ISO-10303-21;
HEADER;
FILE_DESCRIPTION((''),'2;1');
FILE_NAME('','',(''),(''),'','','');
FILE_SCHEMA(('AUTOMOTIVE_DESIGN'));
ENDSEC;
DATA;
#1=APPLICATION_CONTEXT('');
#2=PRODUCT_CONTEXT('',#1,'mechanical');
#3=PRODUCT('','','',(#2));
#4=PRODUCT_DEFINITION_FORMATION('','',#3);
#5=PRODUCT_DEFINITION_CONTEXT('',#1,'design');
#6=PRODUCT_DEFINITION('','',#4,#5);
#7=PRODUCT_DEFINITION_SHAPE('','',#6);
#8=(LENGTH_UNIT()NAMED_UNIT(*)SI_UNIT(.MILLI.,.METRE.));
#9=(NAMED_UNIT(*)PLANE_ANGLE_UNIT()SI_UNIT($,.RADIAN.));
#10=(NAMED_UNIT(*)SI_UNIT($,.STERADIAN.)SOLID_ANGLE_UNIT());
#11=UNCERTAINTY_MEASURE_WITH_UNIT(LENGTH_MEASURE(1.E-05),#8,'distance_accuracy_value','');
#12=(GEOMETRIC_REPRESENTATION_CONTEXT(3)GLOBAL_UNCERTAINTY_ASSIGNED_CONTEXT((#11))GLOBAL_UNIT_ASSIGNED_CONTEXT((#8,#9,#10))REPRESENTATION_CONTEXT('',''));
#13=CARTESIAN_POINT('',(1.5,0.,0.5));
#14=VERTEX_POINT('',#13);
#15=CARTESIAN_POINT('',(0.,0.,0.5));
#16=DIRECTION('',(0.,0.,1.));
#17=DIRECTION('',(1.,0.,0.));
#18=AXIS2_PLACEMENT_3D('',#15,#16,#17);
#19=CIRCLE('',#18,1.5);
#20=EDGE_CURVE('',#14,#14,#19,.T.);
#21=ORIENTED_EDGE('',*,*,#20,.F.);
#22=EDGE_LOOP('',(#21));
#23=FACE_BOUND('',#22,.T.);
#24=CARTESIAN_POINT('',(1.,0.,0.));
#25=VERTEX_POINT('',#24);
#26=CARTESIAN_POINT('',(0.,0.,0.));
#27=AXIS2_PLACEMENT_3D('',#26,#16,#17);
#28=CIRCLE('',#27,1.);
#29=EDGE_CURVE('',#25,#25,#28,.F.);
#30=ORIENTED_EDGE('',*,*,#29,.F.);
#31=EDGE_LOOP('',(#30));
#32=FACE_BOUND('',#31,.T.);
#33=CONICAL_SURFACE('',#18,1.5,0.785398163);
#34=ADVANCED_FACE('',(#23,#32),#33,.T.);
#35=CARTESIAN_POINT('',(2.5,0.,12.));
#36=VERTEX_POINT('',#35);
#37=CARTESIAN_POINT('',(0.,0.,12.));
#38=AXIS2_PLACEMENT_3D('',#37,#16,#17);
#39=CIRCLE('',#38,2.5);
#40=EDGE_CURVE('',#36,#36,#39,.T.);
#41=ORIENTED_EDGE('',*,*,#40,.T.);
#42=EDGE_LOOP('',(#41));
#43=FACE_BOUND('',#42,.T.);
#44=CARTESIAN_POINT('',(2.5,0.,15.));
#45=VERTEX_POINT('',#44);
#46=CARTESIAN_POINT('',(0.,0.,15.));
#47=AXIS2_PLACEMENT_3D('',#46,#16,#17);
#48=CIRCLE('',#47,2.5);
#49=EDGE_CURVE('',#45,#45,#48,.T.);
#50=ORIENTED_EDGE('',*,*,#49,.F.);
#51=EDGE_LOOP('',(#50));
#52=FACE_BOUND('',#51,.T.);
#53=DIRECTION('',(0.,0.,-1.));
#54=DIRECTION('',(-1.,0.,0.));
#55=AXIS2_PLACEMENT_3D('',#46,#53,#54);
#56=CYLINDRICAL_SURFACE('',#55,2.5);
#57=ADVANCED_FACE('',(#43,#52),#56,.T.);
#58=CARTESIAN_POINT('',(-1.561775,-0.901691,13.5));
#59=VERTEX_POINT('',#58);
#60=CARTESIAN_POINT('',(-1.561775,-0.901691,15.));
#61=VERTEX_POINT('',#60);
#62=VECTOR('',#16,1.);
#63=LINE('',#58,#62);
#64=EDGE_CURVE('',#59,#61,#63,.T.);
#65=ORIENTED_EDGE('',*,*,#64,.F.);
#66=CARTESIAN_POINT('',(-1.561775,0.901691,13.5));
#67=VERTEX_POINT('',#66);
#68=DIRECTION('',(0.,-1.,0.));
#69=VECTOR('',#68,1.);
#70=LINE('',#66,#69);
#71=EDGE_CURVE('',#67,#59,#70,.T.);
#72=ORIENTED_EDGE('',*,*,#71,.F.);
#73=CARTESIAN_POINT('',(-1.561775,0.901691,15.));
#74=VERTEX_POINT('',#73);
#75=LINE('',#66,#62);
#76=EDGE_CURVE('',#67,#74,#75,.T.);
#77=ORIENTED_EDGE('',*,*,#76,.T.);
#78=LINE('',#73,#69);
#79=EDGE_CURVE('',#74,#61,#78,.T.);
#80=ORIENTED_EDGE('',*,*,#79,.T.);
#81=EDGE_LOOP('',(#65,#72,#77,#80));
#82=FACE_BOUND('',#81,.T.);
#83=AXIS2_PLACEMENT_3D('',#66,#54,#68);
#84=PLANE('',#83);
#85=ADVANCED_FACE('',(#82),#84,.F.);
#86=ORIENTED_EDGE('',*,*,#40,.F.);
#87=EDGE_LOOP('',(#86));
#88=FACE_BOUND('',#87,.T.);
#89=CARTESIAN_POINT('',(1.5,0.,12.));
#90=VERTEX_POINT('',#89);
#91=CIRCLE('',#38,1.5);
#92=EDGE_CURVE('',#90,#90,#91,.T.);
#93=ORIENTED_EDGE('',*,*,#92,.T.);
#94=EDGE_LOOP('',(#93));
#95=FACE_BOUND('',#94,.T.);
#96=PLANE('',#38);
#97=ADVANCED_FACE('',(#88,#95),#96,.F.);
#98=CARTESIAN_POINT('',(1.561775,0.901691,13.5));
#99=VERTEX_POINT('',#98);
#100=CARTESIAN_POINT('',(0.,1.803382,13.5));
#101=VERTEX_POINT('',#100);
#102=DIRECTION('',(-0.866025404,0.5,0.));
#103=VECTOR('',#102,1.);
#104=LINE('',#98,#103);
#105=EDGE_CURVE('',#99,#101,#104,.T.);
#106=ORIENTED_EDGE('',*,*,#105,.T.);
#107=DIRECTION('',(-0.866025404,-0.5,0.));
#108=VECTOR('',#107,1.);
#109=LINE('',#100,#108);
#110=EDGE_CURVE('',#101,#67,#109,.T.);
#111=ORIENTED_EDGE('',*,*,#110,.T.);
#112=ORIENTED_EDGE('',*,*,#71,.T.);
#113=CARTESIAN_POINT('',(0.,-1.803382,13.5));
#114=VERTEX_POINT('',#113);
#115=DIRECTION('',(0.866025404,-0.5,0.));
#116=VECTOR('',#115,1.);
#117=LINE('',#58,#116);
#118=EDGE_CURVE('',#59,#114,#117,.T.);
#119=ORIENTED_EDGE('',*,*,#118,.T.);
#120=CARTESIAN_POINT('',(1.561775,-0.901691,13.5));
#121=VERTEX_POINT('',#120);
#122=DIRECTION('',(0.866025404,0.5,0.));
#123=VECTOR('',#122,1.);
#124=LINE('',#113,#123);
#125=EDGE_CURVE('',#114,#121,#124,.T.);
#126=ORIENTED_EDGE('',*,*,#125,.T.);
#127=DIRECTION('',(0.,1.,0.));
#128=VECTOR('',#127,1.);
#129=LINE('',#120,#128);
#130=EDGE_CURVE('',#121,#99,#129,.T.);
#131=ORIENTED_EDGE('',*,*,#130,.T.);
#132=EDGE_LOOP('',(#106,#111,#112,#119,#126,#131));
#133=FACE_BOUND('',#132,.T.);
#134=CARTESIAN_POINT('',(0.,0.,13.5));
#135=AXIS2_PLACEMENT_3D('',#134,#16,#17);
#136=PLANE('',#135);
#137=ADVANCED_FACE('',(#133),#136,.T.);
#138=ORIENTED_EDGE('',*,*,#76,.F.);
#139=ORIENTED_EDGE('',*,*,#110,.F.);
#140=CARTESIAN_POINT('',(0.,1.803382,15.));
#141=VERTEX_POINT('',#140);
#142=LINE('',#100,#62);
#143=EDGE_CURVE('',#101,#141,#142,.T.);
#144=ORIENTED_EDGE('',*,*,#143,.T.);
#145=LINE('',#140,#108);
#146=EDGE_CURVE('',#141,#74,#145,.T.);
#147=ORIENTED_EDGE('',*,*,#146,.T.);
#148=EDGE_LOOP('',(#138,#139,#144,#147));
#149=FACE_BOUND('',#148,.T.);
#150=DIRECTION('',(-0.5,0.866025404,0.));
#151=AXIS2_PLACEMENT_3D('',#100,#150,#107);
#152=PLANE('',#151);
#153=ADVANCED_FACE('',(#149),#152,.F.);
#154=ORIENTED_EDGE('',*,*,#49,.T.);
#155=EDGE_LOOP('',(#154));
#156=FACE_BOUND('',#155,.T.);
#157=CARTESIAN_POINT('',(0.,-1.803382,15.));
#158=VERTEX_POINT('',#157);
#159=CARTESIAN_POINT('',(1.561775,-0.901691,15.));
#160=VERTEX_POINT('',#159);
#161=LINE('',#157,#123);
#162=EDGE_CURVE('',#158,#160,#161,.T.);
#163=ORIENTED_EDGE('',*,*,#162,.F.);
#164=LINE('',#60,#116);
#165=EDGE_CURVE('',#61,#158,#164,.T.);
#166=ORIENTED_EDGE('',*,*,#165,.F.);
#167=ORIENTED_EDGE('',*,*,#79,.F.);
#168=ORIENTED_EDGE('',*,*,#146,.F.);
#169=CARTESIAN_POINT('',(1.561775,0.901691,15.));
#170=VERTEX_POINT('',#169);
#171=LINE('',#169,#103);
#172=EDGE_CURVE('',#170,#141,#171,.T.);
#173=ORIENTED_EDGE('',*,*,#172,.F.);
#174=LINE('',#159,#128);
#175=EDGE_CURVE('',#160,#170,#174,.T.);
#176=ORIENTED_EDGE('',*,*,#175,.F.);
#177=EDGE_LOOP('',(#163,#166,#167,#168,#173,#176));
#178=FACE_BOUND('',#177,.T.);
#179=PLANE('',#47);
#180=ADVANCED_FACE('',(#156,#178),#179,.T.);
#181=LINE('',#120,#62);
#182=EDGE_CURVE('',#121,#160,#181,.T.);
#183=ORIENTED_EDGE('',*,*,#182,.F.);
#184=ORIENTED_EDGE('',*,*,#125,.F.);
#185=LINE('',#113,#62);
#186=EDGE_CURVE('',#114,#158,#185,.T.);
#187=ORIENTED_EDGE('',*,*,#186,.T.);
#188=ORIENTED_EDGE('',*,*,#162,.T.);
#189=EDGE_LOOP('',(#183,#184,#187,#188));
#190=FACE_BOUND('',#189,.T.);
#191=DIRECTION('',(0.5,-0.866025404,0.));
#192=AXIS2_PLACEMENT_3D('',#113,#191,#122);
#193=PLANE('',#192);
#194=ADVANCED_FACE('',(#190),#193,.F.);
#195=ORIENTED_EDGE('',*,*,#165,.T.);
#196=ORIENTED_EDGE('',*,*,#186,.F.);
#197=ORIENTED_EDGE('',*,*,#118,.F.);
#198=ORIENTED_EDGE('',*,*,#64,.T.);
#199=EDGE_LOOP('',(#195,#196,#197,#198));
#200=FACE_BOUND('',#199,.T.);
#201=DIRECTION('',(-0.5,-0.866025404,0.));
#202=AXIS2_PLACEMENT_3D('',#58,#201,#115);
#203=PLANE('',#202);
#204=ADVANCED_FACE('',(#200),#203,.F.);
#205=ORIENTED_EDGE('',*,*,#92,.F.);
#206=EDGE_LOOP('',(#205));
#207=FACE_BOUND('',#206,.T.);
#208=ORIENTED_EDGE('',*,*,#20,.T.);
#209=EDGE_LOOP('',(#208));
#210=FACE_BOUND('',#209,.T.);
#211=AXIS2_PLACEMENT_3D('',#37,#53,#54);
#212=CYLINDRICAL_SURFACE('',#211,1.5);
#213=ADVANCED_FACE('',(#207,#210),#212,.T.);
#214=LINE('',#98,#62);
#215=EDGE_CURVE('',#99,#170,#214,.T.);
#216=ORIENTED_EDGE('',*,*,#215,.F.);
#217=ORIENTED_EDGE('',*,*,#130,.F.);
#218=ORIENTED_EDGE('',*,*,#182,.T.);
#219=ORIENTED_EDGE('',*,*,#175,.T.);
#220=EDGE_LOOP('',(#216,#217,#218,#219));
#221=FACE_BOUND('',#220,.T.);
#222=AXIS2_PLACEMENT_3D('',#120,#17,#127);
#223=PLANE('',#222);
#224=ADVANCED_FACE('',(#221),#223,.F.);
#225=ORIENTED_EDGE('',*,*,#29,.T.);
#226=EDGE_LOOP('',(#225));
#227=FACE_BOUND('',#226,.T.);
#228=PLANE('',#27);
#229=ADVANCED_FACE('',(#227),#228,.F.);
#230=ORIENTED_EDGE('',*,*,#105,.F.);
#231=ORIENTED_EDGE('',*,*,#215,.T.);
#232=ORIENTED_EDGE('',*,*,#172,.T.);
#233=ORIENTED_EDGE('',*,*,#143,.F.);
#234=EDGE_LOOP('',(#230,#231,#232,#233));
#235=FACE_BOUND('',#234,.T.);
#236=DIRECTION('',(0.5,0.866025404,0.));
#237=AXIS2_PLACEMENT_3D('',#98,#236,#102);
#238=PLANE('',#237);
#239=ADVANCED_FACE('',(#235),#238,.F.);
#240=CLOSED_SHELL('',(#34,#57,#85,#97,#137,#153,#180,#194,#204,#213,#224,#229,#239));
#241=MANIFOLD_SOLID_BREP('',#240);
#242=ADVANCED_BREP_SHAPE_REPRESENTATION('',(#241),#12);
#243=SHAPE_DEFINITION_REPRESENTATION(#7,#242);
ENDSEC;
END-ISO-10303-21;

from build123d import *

# Parameters (mm, degrees)
SKETCH_1_R          = 1.5
EXTRUDE_1_DEPTH     = 12
SKETCH_2_R          = 2.5
EXTRUDE_2_DEPTH     = 3
CUT_EXTRUDE_1_DEPTH = 1.5
CHAMFER_1_SIZE      = 0.5


with BuildPart() as part:
    # 草图1 → 凸台-拉伸1 (new body)
    with BuildSketch(Plane.XY):
        Circle(SKETCH_1_R)
    extrude(amount=EXTRUDE_1_DEPTH)

    # 草图2 → 凸台-拉伸2 (add)
    with BuildSketch(Plane.XY.offset(12)):
        Circle(SKETCH_2_R)
    extrude(amount=EXTRUDE_2_DEPTH)

    # 草图3 → 切除-拉伸1 (cut)
    with BuildSketch(Plane.XY.offset(15)):
        Polygon((0, 1.803382283), (-1.56177487, 0.901691141), (-1.56177487, -0.901691141), (0, -1.803382283), (1.56177487, -0.901691141), (1.56177487, 0.901691141), align=None)
    extrude(amount=-CUT_EXTRUDE_1_DEPTH, mode=Mode.SUBTRACT)

    # 倒角1
    chamfer_1_edges = [part.edges().sort_by_distance(p)[0] for p in [
        (-1.5, 0, 0),
    ]]
    chamfer(chamfer_1_edges, length=CHAMFER_1_SIZE)


solid = part.part
